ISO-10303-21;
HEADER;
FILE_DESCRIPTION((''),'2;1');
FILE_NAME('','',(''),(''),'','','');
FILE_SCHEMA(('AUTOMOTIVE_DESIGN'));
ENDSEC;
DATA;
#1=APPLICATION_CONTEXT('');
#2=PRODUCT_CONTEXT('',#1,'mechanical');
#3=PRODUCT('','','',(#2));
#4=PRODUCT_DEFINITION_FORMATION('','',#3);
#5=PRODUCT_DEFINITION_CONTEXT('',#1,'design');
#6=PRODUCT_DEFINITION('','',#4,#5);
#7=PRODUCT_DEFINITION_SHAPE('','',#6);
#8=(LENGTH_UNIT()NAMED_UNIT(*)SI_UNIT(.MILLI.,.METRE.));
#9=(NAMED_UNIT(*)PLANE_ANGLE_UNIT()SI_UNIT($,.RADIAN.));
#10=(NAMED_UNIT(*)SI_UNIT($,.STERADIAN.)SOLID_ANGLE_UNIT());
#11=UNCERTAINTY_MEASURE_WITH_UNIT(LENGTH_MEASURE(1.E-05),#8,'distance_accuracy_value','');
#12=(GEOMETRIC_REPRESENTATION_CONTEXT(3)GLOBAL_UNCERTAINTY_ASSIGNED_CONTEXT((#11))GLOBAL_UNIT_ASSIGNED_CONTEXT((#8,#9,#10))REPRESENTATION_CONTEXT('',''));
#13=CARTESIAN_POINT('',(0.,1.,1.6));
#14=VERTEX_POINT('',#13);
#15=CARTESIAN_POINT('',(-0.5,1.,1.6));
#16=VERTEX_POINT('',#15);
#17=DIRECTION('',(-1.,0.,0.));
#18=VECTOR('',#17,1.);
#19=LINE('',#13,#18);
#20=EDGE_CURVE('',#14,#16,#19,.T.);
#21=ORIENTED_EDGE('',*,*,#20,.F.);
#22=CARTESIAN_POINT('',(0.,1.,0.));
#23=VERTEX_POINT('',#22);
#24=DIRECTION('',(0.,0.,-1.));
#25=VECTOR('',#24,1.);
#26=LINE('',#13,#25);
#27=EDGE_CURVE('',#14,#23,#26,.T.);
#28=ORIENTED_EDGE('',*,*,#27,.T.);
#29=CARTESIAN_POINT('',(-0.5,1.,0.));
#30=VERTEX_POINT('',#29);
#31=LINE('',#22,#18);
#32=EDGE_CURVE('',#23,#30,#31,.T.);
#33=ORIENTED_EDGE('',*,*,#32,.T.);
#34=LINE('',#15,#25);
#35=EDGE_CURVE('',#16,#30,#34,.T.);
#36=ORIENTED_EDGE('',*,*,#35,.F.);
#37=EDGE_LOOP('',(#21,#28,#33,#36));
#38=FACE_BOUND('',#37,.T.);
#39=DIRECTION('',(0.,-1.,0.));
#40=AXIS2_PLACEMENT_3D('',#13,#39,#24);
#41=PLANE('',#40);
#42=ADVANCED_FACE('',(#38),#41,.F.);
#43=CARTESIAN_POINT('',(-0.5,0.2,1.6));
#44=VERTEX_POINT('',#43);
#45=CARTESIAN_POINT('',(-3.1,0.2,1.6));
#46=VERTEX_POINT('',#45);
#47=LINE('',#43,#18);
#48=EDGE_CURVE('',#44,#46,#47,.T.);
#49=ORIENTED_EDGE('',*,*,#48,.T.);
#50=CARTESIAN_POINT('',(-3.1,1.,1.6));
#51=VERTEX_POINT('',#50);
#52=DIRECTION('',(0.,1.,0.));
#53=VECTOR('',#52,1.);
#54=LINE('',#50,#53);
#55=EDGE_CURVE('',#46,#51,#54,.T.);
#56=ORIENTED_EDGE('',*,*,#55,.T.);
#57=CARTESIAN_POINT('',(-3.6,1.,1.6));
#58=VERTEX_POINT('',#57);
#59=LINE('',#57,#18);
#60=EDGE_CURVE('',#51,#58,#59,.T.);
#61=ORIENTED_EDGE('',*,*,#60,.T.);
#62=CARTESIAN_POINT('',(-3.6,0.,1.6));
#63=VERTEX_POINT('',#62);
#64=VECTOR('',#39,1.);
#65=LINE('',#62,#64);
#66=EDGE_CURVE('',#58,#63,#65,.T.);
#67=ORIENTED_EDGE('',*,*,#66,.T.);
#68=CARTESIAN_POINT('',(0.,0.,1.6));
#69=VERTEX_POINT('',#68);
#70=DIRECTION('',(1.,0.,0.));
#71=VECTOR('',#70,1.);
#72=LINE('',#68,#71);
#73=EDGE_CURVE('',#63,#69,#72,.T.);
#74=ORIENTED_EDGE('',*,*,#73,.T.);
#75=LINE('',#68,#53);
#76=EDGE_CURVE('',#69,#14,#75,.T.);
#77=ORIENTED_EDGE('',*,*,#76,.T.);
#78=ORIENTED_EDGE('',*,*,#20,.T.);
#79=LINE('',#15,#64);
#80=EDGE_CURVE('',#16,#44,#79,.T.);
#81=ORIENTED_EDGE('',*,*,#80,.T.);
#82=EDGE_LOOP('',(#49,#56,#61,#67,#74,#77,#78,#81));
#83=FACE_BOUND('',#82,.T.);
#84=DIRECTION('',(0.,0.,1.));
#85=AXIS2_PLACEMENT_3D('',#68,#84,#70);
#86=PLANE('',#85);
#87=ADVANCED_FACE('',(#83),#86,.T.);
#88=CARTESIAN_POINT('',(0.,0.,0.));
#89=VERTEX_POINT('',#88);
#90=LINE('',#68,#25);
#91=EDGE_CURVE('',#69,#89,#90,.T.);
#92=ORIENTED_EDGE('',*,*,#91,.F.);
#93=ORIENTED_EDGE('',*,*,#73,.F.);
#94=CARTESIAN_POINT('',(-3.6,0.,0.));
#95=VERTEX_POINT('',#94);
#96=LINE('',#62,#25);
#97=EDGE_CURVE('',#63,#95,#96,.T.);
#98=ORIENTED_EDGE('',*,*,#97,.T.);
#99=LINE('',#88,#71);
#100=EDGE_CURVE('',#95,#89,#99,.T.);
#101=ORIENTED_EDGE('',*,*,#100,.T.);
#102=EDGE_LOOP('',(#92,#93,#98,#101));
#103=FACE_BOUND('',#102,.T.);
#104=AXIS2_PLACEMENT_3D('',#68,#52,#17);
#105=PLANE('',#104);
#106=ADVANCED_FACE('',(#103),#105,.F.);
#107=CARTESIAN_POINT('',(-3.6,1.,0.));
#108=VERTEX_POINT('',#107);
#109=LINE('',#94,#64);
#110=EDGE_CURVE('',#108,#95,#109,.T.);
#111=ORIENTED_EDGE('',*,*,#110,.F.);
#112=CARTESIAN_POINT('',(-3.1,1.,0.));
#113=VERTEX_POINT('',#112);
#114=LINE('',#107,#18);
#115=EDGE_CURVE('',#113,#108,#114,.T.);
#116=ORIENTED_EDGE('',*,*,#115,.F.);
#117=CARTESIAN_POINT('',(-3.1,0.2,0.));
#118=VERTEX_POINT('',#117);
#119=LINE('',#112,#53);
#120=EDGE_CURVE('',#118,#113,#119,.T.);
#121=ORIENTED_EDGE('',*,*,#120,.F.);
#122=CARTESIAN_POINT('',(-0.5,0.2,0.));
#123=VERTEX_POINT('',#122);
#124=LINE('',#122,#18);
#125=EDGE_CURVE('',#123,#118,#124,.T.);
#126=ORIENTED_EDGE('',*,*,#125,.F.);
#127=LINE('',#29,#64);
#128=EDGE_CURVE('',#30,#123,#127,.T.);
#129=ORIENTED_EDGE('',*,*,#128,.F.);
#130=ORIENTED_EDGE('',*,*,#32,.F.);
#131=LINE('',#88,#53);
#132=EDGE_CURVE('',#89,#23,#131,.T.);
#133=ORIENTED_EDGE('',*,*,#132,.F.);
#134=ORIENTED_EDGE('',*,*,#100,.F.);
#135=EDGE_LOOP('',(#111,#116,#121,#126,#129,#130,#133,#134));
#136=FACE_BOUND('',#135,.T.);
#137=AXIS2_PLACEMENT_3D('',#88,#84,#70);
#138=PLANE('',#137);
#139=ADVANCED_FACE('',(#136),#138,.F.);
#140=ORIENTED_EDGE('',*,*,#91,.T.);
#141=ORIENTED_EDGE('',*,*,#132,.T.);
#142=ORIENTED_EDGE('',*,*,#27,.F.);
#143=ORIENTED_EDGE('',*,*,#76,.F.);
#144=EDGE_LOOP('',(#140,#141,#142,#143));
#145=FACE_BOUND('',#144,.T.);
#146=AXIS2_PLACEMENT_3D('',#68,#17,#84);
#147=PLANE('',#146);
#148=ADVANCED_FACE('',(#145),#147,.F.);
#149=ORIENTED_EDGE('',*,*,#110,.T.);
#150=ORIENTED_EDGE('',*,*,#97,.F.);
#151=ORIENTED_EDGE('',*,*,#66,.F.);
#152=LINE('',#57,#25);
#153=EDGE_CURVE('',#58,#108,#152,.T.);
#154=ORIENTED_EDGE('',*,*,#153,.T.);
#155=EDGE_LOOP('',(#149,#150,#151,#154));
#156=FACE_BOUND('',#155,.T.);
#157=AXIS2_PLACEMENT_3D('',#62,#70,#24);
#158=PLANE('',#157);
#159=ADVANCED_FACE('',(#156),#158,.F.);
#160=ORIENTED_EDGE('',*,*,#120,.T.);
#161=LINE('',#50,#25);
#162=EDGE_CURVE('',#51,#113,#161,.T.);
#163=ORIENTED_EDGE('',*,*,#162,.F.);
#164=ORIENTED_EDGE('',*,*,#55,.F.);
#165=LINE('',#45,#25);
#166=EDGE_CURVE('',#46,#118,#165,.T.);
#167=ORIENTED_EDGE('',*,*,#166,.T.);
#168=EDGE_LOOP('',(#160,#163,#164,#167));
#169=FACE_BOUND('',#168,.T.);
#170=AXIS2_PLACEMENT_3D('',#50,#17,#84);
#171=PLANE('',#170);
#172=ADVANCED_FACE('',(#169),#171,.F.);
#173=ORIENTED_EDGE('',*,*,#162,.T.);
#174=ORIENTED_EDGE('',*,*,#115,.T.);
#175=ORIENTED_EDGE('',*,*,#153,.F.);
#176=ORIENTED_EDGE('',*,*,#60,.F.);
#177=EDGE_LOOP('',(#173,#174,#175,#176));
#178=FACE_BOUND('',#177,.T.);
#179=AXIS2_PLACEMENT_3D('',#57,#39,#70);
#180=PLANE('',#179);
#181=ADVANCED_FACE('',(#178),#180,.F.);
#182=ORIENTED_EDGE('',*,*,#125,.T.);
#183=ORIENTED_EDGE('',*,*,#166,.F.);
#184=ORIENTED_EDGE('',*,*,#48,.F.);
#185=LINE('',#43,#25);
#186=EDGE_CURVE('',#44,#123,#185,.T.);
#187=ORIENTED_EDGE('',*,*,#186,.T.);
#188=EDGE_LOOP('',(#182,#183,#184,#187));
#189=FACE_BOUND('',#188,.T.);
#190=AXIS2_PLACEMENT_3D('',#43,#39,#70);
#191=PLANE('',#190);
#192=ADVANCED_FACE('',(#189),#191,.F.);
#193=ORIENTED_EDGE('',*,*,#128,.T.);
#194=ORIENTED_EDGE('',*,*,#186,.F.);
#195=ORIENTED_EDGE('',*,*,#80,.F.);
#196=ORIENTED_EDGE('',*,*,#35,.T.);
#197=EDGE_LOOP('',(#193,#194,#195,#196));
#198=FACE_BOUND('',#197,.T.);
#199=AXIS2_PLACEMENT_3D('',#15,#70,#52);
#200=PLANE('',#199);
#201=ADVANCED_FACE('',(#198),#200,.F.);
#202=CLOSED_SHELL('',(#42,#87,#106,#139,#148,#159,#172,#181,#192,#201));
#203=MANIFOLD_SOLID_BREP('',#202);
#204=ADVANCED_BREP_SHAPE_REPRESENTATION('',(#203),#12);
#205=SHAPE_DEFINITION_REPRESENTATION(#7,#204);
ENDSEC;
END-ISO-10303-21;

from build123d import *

# Parameters (mm, degrees)
BOSS_EXTRUDE3_DEPTH = 1.6


with BuildPart() as part:
    # Sketch4 → Boss-Extrude3 (new body)
    with BuildSketch(Plane.XY):
        Polygon((-3.6, 1), (-3.1, 1), (-3.1, 0.2), (-0.5, 0.2), (-0.5, 1), (0, 1), (0, 0), (-3.6, 0), align=None)
    extrude(amount=BOSS_EXTRUDE3_DEPTH)


solid = part.part
